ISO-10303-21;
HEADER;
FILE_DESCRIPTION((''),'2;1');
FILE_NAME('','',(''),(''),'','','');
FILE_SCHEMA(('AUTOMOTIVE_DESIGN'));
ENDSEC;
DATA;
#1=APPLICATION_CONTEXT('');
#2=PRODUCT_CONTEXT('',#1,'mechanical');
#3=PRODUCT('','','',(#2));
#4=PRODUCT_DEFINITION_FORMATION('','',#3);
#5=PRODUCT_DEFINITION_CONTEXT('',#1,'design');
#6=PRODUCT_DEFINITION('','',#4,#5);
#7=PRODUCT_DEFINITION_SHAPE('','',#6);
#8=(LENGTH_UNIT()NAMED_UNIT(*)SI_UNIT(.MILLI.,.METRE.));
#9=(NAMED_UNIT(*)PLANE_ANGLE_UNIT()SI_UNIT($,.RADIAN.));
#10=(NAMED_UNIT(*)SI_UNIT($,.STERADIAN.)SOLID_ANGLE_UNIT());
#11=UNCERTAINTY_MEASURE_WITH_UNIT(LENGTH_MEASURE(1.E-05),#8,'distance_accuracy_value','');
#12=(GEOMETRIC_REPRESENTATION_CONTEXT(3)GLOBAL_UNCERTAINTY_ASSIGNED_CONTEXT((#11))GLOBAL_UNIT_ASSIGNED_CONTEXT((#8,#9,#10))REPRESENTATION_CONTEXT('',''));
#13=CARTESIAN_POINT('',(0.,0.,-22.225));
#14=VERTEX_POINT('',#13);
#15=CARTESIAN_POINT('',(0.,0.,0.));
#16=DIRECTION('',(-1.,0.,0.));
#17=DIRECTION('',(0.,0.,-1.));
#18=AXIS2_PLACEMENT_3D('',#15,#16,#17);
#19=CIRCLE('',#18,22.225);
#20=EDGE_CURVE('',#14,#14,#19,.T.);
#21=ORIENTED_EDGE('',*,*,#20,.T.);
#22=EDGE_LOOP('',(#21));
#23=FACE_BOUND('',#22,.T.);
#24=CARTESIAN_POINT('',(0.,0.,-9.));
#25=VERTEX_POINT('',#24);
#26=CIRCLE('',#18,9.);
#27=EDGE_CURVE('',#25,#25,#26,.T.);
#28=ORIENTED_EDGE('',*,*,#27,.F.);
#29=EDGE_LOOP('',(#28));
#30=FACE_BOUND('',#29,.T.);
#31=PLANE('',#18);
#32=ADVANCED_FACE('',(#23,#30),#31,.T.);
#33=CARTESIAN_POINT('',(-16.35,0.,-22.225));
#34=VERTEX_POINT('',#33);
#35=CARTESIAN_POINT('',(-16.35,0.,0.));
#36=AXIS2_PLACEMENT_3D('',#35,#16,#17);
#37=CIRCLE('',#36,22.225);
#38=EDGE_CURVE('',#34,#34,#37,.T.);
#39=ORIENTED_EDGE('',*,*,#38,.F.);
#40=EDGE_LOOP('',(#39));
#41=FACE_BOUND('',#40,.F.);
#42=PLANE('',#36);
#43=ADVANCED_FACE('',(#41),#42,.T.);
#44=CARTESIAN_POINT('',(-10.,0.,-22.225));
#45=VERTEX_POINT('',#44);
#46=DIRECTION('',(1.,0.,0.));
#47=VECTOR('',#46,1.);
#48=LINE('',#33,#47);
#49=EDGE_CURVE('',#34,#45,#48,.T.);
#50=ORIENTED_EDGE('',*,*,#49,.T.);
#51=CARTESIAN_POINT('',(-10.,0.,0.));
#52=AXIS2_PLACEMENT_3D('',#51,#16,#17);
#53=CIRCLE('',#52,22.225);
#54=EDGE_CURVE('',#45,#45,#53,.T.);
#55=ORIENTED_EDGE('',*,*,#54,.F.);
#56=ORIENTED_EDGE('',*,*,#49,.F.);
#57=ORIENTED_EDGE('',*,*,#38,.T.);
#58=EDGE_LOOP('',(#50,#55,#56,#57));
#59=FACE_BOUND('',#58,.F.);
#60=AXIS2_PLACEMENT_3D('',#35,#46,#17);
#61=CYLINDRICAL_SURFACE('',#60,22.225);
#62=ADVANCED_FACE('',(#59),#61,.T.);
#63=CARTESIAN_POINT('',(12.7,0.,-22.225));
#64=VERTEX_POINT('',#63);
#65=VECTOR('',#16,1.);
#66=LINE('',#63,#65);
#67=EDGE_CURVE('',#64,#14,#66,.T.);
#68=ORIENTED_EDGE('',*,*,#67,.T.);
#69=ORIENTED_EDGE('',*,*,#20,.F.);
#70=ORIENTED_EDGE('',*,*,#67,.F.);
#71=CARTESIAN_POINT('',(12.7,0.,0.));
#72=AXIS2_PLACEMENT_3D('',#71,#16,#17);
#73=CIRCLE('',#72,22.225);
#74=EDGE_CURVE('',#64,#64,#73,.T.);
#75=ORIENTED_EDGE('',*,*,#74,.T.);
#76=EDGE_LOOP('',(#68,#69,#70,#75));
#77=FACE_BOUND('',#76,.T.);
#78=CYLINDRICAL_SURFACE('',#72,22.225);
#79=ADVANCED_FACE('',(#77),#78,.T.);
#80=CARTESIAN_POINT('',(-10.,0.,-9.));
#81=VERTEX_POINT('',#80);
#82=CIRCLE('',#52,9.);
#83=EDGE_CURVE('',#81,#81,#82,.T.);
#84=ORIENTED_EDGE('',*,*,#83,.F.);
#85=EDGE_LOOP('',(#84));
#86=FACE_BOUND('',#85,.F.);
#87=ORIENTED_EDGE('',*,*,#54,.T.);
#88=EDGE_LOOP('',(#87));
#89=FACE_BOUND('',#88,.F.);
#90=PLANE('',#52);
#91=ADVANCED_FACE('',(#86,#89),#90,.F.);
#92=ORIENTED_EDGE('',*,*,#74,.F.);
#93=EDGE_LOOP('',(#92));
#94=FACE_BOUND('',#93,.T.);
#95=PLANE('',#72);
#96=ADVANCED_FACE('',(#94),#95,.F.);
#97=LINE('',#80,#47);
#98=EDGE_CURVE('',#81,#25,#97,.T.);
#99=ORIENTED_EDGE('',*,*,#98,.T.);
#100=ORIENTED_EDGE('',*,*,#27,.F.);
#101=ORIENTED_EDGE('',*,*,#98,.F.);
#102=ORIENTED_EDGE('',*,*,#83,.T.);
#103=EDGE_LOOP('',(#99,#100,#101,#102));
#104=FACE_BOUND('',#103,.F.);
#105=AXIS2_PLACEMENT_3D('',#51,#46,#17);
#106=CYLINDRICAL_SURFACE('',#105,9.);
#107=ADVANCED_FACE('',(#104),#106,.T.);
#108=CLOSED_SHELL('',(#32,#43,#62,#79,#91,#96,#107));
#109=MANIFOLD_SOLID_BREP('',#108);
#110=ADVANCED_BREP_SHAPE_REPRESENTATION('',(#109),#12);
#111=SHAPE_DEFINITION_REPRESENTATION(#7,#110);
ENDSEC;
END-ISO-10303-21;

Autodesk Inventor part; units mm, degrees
ref_plane "YZ Plane" through (0, 0, 0) normal (1, 0, 0) x (0, 1, 0)
ref_plane "XZ Plane" through (0, 0, 0) normal (0, 1, 0) x (-1, 0, 0)
ref_plane "XY Plane" through (0, 0, 0) normal (0, 0, 1) x (1, 0, 0)
sketch "Sketch1" plane through (0, 0, 0) normal (0, 1, 0) x (-1, 0, 0)
  line L0 (0, 0) -> (10, 0)
  line L1 (10, 0) -> (10, -9)
  line L2 (10, -9) -> (0, -9)
  line L3 (0, -9) -> (0, 0)
  line L4 (10, 0) -> (16.35, 0)
  line L5 (16.35, 0) -> (16.35, -22.225)
  line L6 (16.35, -22.225) -> (10, -22.225)
  line L7 (10, -22.225) -> (10, 0)
  line L8 (0, 0) -> (-12.7, 0)
  line L9 (-12.7, 0) -> (-12.7, -22.225)
  line L10 (-12.7, -22.225) -> (0, -22.225)
  line L11 (0, -22.225) -> (0, 0)
  point P0 (0, -9)
  point P1 (10, -9)
  dimension "d0" = 10
  dimension "d1" = 9
  dimension "d2" = 6.35
  dimension "d3" = 22.225
  dimension "d4" = 22.225
  dimension "d5" = 12.7
revolve "Revolution1" add sketch "Sketch1" angle 360 about axis through (0, 0, 0) along (-1, 0, 0)
equation "\"d4\" = d3"
properties part number "Temp Sprocket" material "Nylon 6/6"
